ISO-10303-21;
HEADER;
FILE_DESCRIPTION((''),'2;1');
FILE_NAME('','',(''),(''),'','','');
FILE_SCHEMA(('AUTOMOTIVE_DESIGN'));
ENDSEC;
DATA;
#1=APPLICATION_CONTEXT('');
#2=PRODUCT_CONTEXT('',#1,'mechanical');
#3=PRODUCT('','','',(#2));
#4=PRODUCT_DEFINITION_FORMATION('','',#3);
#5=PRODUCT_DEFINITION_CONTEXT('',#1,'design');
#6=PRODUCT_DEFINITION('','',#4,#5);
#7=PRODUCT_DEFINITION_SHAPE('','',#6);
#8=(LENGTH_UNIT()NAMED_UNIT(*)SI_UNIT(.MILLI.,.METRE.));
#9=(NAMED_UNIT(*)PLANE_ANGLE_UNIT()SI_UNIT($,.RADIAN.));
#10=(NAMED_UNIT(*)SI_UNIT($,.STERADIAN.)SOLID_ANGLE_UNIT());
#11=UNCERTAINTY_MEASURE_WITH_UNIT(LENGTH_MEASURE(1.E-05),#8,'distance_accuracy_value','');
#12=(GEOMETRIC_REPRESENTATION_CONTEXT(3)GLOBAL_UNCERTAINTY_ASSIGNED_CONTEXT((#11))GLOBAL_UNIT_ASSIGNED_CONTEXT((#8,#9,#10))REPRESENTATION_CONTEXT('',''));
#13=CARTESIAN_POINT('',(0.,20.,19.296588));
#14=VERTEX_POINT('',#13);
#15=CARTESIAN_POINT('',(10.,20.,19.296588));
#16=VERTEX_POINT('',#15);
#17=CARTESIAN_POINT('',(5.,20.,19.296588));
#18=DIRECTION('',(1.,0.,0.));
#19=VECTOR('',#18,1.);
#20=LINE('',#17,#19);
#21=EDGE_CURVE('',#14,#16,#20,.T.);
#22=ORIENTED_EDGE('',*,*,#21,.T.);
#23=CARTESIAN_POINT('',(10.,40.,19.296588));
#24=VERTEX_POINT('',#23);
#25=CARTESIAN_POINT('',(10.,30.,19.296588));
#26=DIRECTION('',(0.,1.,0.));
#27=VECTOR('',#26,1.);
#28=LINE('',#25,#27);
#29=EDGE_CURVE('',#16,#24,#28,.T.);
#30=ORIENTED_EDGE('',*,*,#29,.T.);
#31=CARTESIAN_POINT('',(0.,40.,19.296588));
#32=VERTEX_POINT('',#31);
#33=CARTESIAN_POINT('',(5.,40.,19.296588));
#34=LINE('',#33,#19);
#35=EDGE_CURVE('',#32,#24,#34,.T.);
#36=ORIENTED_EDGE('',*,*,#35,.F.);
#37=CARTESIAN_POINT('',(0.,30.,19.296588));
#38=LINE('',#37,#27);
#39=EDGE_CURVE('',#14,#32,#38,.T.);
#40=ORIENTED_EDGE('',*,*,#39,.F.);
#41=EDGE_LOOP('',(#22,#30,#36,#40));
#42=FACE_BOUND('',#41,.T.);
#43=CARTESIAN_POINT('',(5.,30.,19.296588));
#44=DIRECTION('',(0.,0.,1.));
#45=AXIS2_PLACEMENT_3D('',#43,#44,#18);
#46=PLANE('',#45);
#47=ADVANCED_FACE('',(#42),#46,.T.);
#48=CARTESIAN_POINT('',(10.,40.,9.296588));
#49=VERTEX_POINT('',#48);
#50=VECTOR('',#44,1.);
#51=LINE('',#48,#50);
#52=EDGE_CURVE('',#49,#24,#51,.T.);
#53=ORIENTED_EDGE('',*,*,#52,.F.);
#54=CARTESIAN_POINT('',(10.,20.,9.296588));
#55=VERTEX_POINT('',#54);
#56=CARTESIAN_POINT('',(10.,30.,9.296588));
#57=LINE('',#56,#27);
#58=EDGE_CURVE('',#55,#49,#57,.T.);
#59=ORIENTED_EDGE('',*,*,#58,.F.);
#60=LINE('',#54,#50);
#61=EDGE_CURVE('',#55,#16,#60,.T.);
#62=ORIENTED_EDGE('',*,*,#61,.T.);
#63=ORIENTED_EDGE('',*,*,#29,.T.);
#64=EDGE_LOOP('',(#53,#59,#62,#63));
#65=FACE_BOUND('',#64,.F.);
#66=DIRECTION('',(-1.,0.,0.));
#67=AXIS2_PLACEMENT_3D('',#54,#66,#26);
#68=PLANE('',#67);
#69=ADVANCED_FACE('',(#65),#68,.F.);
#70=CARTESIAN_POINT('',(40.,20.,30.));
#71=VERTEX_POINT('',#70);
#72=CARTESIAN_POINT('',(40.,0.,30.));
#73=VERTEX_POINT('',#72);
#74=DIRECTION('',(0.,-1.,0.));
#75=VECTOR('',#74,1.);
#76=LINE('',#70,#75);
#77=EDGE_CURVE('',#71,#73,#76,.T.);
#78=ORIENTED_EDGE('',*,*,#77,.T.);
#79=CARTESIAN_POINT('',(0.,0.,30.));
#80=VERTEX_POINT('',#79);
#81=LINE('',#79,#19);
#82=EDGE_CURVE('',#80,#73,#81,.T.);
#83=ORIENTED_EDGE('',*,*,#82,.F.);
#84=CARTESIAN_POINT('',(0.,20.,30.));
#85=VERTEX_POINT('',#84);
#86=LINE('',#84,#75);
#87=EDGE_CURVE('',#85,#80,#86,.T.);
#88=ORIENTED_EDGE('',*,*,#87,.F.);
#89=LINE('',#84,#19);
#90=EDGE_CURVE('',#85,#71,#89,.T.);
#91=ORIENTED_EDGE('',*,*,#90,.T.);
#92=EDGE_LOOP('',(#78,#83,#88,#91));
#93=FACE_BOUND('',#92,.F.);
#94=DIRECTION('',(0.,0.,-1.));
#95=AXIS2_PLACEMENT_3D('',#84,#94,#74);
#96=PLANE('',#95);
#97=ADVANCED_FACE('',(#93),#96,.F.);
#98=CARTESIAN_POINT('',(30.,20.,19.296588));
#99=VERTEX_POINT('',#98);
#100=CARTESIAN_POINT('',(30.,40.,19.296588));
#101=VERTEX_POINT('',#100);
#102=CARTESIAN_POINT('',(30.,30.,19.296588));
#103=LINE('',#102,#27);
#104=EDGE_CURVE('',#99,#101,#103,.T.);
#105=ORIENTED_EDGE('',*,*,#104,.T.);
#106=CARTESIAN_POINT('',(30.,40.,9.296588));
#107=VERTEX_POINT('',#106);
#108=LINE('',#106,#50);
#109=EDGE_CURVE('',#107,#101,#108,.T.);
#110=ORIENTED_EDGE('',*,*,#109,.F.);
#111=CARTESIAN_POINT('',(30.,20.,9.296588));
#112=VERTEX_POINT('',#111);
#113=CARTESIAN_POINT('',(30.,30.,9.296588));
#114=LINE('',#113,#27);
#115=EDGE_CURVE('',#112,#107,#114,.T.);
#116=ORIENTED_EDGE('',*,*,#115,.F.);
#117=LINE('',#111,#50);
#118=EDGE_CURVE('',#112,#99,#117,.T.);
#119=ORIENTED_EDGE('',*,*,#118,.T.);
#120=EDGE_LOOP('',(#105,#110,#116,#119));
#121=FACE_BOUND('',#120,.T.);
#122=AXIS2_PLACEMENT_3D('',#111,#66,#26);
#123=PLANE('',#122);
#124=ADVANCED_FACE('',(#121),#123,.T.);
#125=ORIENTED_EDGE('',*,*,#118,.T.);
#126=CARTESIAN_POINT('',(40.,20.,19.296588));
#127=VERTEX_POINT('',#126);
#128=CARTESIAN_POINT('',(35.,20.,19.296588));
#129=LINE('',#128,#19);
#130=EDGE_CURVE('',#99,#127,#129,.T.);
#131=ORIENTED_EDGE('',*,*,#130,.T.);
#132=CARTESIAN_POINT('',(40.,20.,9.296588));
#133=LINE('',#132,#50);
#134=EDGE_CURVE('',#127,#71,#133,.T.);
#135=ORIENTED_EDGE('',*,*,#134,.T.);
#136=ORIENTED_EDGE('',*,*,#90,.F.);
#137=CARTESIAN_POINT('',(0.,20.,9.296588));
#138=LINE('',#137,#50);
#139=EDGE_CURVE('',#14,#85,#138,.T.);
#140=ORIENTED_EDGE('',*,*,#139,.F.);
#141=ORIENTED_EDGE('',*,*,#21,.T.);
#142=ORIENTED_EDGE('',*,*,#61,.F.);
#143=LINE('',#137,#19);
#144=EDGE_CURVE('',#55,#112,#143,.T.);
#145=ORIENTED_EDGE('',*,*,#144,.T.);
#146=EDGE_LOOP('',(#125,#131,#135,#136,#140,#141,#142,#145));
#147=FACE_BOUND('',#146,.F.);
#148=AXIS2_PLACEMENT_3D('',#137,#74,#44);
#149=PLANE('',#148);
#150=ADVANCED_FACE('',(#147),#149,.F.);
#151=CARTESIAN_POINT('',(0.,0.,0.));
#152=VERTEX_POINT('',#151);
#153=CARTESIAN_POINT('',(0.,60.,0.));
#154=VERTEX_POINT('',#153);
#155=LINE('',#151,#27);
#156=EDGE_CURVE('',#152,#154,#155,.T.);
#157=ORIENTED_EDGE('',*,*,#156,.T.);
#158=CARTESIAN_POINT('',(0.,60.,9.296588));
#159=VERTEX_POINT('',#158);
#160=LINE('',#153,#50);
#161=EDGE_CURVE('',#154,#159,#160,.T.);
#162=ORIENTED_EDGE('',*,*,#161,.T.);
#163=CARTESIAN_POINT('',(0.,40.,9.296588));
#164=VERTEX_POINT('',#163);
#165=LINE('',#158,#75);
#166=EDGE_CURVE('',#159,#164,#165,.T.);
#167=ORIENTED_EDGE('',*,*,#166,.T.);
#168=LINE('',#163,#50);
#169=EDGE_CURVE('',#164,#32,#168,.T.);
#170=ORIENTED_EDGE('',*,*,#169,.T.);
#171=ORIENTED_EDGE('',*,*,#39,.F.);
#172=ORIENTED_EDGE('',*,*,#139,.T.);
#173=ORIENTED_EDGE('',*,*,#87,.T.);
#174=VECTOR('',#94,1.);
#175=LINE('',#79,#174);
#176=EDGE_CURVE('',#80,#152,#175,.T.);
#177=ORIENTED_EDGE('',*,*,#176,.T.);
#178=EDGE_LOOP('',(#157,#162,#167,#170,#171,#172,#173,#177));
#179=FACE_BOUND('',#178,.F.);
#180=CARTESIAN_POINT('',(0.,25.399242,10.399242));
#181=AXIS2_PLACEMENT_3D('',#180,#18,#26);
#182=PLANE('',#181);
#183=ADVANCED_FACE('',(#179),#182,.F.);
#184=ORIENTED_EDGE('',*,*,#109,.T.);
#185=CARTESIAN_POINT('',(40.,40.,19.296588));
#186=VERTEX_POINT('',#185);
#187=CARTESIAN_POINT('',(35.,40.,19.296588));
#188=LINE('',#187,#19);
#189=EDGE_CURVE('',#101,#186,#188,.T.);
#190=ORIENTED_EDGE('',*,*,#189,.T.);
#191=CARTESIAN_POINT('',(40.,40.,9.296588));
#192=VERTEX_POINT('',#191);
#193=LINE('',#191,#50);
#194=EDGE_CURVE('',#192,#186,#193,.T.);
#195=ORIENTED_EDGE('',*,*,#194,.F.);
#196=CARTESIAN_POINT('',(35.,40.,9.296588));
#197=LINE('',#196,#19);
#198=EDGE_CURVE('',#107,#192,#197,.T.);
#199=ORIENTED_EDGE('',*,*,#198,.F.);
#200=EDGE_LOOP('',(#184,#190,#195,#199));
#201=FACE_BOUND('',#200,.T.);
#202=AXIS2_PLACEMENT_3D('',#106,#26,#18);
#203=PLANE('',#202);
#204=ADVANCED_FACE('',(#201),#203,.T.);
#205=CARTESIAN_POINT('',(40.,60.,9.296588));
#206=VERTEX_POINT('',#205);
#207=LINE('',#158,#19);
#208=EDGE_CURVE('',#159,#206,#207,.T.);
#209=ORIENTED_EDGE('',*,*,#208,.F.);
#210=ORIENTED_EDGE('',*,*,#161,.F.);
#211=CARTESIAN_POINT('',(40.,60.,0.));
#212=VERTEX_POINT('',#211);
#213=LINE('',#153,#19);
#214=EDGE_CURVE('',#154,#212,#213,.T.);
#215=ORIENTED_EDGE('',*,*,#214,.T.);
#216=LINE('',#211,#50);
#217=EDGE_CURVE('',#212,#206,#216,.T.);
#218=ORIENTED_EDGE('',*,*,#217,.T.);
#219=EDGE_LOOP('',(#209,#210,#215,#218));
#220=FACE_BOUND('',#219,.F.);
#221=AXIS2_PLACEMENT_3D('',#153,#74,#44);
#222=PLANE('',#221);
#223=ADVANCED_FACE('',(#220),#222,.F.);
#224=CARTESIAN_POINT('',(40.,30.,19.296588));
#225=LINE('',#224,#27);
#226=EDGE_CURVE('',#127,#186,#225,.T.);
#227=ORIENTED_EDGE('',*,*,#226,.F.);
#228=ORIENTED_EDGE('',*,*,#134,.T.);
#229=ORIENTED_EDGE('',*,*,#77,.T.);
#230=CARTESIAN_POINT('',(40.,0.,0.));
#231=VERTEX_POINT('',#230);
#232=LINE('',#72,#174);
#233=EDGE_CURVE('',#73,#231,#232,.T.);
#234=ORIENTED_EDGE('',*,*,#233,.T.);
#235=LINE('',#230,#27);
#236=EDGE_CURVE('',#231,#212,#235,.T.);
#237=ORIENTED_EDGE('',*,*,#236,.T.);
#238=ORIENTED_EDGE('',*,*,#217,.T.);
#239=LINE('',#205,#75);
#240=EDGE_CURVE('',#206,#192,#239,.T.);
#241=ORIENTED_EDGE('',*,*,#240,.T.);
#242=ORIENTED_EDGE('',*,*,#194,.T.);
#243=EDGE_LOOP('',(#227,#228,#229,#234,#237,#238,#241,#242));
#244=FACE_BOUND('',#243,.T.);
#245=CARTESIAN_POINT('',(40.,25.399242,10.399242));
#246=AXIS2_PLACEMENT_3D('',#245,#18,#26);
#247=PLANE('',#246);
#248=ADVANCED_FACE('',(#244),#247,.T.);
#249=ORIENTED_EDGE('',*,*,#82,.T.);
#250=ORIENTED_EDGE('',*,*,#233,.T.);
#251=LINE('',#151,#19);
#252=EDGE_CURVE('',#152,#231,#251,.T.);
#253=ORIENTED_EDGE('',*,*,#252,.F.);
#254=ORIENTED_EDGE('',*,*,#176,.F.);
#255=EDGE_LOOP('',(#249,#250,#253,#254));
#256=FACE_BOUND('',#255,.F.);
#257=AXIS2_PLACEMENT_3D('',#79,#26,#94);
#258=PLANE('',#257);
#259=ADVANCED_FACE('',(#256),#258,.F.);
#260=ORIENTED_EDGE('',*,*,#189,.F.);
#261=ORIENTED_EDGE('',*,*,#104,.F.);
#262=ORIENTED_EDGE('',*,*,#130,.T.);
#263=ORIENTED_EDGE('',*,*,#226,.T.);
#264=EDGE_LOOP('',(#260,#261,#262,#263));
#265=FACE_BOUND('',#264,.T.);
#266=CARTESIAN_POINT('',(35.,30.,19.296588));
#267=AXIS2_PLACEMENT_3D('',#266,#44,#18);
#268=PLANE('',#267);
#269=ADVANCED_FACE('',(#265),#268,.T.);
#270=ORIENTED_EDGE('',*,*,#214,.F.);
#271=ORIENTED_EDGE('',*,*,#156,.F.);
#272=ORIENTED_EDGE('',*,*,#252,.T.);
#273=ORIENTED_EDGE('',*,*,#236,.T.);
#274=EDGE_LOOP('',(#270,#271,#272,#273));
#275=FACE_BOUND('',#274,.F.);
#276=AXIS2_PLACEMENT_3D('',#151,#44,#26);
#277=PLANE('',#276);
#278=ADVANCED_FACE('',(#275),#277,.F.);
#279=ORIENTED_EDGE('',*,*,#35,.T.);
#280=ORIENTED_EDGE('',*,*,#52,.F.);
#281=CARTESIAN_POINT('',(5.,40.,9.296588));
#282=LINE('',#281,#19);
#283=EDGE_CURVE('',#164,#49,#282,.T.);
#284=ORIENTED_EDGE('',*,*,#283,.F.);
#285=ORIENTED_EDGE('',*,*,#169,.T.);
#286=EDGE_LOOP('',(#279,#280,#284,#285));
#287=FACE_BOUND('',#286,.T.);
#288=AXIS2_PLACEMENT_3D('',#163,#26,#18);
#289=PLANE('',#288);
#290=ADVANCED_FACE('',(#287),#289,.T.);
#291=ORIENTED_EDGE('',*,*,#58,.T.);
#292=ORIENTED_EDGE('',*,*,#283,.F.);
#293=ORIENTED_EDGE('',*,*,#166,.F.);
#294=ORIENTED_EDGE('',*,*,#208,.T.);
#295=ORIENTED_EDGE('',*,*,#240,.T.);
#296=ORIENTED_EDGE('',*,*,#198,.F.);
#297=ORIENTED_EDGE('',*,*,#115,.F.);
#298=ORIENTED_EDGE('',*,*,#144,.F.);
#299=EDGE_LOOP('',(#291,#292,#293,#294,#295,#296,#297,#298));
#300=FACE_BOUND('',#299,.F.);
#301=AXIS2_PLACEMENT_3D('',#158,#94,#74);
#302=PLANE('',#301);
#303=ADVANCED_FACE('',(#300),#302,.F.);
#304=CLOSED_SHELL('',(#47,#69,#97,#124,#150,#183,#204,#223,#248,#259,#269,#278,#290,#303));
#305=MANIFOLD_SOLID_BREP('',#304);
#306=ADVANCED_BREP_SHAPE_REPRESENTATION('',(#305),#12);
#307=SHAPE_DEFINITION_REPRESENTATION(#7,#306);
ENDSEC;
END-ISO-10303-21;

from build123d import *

# Parameters (mm, degrees)
F1_DEPTH = 40
F2_W     = 10
F2_H     = 20
F3_DEPTH = 10


with BuildPart() as f1:
    # F0 (on Right) → F1 (new body)
    with BuildSketch(Plane.YZ):
        Polygon((0, 30), (0, 0), (60, 0), (60, 9.296588), (50, 9.296588), (20, 9.296588), (20, 30), align=None)
    extrude(amount=F1_DEPTH)

    # F2 (on face) → F3 (join)
    with BuildSketch(Plane.XY.offset(9.296588)):
        with Locations((35, 30)):
            Rectangle(F2_W, F2_H)
        with Locations((5, 30)):
            Rectangle(F2_W, F2_H)
    extrude(amount=F3_DEPTH)


solid = f1.part
